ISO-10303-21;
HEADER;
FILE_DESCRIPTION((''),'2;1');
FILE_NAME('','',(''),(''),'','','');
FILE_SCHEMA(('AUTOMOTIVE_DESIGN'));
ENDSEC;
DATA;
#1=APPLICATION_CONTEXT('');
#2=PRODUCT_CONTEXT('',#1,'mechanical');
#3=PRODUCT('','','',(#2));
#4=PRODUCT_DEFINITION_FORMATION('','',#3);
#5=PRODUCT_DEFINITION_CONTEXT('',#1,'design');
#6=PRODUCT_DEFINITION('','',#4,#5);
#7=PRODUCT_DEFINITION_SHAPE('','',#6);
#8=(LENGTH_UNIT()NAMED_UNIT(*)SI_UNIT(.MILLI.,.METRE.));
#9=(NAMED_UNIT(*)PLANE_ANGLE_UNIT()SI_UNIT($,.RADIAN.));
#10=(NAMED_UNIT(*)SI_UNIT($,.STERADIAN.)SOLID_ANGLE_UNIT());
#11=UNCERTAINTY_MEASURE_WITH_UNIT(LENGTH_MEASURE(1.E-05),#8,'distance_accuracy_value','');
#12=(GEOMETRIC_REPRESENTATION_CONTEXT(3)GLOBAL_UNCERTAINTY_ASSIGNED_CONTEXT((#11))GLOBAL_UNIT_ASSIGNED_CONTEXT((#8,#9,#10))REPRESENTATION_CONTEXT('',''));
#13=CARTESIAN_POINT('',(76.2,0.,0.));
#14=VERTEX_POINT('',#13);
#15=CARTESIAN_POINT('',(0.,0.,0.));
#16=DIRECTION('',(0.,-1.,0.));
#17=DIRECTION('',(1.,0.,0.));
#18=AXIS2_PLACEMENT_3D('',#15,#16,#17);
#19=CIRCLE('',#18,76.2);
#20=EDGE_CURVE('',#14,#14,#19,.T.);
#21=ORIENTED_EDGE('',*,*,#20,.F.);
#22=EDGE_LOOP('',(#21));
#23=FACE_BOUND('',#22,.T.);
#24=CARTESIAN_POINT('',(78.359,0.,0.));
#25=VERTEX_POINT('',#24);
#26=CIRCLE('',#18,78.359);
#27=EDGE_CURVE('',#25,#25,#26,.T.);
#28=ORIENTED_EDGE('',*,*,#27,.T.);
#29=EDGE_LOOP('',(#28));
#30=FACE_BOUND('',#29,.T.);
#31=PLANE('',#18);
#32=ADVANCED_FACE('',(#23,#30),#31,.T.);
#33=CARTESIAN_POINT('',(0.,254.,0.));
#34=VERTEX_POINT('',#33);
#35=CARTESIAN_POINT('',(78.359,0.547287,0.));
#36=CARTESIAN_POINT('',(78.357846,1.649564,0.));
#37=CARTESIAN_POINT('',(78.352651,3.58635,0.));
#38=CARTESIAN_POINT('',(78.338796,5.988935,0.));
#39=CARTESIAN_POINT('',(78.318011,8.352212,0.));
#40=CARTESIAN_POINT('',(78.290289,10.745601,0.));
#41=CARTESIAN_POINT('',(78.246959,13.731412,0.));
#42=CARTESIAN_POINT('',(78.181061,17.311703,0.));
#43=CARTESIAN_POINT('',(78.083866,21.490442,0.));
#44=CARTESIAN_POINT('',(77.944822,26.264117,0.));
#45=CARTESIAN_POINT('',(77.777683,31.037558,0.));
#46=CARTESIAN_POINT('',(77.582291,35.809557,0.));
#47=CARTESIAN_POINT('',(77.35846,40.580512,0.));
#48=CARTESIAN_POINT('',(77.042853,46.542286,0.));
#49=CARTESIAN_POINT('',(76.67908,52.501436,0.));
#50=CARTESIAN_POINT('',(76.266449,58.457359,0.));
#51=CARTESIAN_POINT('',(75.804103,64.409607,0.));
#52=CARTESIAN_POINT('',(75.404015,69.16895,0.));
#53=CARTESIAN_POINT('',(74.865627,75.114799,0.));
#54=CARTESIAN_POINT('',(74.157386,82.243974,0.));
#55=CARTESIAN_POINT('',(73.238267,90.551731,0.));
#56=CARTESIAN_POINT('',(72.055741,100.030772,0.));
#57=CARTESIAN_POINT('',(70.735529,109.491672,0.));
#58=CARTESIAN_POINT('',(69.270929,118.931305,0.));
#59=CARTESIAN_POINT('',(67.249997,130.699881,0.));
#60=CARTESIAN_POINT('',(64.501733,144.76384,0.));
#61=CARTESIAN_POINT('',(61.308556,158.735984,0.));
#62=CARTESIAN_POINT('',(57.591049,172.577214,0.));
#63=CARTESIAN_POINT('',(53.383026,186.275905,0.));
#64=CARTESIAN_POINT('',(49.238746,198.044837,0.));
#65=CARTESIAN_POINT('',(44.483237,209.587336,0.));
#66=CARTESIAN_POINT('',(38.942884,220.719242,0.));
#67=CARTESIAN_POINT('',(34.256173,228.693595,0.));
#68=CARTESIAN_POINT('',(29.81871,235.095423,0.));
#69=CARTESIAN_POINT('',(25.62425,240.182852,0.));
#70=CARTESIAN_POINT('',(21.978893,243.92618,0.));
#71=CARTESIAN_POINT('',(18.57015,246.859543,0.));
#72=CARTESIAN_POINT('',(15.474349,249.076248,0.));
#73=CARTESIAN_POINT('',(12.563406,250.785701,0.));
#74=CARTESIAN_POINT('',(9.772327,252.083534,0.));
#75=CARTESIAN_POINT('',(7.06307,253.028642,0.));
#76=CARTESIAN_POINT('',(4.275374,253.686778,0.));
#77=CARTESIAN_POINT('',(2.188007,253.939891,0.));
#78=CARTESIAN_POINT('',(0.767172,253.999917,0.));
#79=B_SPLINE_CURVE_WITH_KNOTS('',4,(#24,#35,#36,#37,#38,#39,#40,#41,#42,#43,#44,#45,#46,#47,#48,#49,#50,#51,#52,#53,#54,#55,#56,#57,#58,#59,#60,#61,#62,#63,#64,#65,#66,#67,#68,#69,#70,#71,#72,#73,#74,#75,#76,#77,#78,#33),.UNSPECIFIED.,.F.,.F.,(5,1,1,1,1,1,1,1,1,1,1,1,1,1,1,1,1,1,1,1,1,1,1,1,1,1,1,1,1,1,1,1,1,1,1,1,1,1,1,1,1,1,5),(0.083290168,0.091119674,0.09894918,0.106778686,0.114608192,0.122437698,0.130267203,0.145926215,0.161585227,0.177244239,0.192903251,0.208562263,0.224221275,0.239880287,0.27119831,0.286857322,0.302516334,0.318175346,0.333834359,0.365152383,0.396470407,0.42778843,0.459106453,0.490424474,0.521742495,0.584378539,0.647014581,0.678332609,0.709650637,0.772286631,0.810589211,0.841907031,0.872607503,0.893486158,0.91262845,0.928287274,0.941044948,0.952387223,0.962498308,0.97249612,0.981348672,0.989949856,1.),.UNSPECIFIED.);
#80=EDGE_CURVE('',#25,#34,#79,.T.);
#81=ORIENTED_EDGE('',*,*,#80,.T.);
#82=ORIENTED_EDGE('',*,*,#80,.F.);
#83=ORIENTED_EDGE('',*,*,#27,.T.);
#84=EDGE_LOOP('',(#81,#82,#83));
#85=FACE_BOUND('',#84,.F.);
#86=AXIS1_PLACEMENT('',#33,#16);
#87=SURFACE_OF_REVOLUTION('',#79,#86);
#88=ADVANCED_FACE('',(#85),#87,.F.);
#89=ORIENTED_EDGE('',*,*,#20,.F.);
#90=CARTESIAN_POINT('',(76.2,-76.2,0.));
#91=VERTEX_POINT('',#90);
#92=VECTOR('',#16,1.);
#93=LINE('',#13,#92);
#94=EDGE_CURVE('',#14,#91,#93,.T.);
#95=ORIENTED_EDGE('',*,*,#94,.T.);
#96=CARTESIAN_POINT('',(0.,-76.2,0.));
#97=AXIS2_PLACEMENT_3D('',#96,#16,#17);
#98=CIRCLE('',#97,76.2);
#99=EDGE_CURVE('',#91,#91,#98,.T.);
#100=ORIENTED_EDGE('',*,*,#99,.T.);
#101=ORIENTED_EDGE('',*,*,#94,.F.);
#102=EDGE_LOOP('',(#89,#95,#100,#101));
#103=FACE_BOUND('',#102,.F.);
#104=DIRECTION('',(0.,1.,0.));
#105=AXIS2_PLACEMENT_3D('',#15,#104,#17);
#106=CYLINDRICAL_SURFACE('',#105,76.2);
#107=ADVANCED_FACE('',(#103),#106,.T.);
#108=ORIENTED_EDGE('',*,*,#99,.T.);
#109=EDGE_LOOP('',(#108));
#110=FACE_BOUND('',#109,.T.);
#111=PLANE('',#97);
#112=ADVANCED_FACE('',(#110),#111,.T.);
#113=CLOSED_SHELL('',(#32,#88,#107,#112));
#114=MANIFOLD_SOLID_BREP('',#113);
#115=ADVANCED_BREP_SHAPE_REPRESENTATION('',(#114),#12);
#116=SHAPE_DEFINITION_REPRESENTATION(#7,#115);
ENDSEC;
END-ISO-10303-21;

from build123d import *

# Parameters (mm, degrees)
SKETCH2_R           = 76.2
BOSS_EXTRUDE1_DEPTH = 76.2


with BuildPart() as part:
    # Sketch1 → Revolve1 (revolve)
    with BuildSketch(Plane.XY):
        with BuildLine():
            Line((78.359, 0), (0, 0))
            Line((0, 0), (0, 254))
            add(Edge.make_bspline(
                [(78.359, 0), (78.359, 0.547287489), (78.357845602, 1.649563618), (78.352650776, 3.586349875), (78.338796346, 5.988934596), (78.318010672, 8.352211569), (78.29028895, 10.745600888), (78.246958697, 13.731411826), (78.181061307, 17.311703382), (78.08386626, 21.490442467), (77.944822085, 26.264117007), (77.777683186, 31.037557631), (77.58229134, 35.809557456), (77.358460439, 40.580511863), (77.042853487, 46.542286246), (76.679080298, 52.501436144), (76.266448568, 58.457359127), (75.804102806, 64.409607399), (75.404015228, 69.168949637), (74.865626928, 75.114798701), (74.157385744, 82.243973993), (73.238266918, 90.551730955), (72.055740597, 100.030771811), (70.735528943, 109.491671534), (69.270929118, 118.931305028), (67.249996919, 130.699881306), (64.501732948, 144.763840427), (61.308555538, 158.735984092), (57.591049496, 172.577213574), (53.383025938, 186.275905479), (49.238746312, 198.044837449), (44.48323743, 209.587335711), (38.942884235, 220.71924179), (34.256173135, 228.693595393), (29.818710248, 235.095423042), (25.624249732, 240.182852143), (21.978892835, 243.926180276), (18.570150197, 246.859542723), (15.474349081, 249.076247661), (12.563405711, 250.785701438), (9.772327363, 252.083533871), (7.063069709, 253.028642362), (4.275373805, 253.686778481), (2.188006886, 253.939891173), (0.767171586, 253.999916555), (0, 254)],
                knots=[0.083290168, 0.083290168, 0.083290168, 0.083290168, 0.083290168, 0.091119674, 0.09894918, 0.106778686, 0.114608192, 0.122437698, 0.130267203, 0.145926215, 0.161585227, 0.177244239, 0.192903251, 0.208562263, 0.224221275, 0.239880287, 0.27119831, 0.286857322, 0.302516334, 0.318175346, 0.333834359, 0.365152383, 0.396470407, 0.42778843, 0.459106453, 0.490424474, 0.521742495, 0.584378539, 0.647014581, 0.678332609, 0.709650637, 0.772286631, 0.810589211, 0.841907031, 0.872607503, 0.893486158, 0.91262845, 0.928287274, 0.941044948, 0.952387223, 0.962498308, 0.97249612, 0.981348672, 0.989949856, 1, 1, 1, 1, 1], degree=4))
        make_face()
    revolve(axis=Axis((0, 254, 0), (0, -1, 0)))

    # Sketch2 → Boss-Extrude1 (add)
    with BuildSketch(Plane.XZ):
        Circle(SKETCH2_R)
    extrude(amount=BOSS_EXTRUDE1_DEPTH)


solid = part.part
